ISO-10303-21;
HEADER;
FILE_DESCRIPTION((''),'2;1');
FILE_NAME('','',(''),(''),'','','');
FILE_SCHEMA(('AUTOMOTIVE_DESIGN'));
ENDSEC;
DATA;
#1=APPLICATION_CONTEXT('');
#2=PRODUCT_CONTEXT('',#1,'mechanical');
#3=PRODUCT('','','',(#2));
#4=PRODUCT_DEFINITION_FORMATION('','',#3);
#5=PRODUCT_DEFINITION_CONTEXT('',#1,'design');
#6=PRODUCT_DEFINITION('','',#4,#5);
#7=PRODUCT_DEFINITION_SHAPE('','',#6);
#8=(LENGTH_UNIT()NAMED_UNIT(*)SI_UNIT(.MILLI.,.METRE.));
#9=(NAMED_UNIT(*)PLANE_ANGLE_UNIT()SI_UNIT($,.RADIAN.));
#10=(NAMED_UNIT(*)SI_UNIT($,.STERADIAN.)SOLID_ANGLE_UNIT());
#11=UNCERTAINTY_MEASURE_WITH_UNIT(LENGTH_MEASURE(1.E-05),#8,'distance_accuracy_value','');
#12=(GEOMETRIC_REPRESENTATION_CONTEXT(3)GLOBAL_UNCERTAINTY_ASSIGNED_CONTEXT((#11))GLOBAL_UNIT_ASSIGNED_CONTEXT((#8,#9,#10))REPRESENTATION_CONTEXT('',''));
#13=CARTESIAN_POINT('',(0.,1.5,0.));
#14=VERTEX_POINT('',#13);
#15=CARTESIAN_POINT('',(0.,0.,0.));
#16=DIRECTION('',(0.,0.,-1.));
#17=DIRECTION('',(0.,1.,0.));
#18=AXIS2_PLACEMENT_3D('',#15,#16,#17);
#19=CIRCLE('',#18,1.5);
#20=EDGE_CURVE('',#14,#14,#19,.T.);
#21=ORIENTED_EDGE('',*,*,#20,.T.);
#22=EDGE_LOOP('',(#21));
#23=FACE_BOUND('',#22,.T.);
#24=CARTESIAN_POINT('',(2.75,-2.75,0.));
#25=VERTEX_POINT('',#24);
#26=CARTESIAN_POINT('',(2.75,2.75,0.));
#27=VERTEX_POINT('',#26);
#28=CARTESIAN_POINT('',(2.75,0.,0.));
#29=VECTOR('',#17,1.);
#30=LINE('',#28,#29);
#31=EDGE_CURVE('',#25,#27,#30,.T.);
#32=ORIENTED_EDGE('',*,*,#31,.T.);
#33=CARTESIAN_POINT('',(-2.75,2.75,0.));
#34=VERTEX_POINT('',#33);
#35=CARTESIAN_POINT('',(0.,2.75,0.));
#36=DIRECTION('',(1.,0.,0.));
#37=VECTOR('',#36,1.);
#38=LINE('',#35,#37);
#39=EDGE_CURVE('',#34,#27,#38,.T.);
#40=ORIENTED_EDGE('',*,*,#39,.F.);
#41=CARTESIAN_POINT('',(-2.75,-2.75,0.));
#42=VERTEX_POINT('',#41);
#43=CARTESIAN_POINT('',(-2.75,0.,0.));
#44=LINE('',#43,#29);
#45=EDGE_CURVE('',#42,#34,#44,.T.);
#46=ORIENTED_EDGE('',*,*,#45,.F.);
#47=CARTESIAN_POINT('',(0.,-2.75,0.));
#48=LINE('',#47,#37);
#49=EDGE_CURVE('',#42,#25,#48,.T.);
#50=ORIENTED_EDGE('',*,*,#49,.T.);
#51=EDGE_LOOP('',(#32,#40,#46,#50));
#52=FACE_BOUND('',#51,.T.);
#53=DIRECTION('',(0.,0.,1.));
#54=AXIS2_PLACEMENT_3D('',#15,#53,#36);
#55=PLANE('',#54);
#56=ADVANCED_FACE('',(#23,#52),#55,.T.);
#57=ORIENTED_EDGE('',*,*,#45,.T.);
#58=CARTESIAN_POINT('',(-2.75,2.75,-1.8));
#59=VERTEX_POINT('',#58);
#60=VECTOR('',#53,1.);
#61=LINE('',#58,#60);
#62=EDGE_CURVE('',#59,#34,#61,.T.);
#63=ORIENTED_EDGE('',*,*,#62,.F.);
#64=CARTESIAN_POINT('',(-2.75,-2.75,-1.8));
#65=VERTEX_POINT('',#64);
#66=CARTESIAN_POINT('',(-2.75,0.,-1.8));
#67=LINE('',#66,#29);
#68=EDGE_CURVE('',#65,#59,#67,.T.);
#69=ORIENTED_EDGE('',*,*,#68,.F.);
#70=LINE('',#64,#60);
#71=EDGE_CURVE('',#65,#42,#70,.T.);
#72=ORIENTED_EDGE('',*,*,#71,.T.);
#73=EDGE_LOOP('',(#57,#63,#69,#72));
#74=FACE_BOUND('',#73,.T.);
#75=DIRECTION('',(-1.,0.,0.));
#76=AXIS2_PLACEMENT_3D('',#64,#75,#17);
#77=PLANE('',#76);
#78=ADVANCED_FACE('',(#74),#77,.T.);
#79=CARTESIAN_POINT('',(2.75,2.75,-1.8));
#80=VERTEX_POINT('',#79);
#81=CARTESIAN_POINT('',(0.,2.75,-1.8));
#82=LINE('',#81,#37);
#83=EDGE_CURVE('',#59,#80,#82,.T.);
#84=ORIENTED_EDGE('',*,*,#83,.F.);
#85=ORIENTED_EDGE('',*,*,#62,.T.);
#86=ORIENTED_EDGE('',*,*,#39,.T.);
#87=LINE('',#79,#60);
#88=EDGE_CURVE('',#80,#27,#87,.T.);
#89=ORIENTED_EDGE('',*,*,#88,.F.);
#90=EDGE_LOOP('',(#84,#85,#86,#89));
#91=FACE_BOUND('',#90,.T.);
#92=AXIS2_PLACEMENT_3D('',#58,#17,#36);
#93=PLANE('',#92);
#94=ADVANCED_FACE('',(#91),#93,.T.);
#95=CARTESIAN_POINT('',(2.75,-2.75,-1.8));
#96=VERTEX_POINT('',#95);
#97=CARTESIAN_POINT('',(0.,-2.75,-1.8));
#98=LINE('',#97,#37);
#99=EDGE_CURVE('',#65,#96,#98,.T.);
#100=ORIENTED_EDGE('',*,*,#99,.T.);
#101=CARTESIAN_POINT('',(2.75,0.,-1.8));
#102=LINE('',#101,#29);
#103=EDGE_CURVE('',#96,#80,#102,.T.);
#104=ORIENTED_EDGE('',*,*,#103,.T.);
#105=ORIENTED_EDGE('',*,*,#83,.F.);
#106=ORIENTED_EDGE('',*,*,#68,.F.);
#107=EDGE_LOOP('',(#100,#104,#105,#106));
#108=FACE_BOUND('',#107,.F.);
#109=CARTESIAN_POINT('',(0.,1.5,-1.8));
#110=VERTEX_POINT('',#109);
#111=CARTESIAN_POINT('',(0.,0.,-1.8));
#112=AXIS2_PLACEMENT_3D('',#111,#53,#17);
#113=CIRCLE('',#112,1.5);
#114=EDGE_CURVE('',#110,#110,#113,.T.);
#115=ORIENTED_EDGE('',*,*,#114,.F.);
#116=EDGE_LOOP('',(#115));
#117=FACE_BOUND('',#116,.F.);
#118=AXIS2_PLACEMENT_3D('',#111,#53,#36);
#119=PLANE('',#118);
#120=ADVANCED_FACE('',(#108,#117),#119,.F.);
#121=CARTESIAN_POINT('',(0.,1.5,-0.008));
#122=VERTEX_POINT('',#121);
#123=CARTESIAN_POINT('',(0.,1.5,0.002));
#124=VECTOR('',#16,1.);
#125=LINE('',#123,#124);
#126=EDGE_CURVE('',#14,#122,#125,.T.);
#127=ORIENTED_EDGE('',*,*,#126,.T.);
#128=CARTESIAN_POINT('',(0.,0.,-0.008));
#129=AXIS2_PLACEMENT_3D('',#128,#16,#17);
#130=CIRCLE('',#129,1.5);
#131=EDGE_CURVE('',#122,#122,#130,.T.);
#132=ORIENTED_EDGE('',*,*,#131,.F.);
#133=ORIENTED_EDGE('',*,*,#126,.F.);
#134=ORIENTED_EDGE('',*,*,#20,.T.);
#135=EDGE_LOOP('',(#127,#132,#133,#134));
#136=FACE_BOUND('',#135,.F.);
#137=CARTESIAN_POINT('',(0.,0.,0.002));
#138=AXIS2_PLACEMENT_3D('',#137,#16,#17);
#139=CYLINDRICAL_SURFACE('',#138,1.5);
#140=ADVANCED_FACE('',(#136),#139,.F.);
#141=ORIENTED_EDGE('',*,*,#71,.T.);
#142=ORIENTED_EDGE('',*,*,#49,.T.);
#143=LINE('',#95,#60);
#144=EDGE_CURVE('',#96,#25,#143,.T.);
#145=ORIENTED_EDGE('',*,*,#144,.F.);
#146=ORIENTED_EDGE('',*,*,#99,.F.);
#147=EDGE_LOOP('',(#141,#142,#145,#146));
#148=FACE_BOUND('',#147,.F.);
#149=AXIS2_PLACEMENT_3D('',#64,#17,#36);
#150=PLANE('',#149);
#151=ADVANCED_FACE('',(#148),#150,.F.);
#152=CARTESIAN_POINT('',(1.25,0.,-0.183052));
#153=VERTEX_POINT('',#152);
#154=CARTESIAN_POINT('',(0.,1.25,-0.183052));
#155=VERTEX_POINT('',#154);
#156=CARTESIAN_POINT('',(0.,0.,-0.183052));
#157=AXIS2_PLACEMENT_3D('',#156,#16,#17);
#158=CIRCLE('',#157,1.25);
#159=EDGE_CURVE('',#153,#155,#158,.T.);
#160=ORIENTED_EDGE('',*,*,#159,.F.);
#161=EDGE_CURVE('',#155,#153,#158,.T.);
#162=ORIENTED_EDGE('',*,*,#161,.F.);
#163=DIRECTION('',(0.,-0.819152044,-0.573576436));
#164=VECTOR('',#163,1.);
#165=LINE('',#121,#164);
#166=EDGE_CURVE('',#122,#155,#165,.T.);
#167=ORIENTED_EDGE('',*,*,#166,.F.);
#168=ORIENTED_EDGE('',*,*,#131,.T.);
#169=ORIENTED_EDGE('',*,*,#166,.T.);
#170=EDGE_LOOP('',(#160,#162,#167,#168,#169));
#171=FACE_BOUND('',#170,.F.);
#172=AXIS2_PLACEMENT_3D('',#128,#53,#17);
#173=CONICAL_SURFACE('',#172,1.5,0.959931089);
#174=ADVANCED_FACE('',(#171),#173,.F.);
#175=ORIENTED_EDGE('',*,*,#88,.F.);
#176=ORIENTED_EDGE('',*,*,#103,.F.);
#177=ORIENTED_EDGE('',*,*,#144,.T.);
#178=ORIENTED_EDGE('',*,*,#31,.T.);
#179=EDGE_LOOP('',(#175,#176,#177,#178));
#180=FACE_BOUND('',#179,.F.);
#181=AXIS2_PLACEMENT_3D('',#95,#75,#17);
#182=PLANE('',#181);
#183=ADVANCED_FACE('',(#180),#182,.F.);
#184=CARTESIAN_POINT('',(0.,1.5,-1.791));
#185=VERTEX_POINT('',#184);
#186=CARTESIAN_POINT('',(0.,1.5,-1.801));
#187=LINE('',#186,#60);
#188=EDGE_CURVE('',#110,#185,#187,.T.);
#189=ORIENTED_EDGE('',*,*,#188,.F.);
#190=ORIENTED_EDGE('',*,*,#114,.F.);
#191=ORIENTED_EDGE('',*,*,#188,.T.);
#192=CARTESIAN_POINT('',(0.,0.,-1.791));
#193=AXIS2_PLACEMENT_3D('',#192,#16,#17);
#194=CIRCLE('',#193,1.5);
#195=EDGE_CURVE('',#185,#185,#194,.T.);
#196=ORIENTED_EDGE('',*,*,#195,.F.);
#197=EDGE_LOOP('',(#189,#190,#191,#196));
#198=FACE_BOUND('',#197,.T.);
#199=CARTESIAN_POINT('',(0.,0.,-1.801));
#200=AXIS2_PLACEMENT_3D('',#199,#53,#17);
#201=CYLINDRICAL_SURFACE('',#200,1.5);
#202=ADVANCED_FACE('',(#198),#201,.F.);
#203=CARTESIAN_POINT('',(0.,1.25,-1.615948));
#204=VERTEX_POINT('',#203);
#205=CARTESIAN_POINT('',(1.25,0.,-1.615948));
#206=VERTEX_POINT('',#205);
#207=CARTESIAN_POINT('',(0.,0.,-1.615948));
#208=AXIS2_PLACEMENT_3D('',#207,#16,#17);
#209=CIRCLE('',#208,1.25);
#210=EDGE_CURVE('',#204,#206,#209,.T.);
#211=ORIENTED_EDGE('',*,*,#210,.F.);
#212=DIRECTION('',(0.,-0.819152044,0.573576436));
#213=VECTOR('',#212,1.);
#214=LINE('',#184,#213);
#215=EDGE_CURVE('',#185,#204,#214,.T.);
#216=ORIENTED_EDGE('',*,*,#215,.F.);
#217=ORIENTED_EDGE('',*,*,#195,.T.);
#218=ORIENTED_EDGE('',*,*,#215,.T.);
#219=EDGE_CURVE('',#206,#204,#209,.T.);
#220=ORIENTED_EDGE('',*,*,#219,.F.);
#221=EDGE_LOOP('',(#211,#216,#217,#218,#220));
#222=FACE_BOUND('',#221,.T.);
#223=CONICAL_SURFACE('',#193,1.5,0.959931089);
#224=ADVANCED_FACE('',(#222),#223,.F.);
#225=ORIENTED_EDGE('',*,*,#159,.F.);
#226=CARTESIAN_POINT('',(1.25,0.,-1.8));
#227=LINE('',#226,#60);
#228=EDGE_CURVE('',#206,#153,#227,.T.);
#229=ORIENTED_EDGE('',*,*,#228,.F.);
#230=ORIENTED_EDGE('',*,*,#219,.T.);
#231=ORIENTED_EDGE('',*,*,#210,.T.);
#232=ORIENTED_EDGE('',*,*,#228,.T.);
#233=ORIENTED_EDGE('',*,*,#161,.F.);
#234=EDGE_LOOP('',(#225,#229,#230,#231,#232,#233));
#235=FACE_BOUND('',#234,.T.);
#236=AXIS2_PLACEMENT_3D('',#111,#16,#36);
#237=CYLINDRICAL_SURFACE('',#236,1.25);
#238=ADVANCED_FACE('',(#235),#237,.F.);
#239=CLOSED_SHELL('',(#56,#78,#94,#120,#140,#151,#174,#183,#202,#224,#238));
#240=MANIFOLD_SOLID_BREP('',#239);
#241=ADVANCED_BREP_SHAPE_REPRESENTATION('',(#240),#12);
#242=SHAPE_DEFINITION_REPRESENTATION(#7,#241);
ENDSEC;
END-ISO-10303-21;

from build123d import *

# Parameters (mm, degrees)
BASENUT_START = -1.8
BASENUTSKE_W  = 5.5
BASENUTSKE_H  = 5.5
BASENUTSKE_R  = 1.25
BASENUT_DEPTH = 1.8


with BuildPart() as part:
    # BaseNutSke → BaseNut (new body)
    with BuildSketch(Plane.XY.offset(BASENUT_START)):
        Rectangle(BASENUTSKE_W, BASENUTSKE_H)
        Circle(BASENUTSKE_R, mode=Mode.SUBTRACT)
    extrude(amount=BASENUT_DEPTH)

    # EndChamferSketch → EndChamfer (revolve, cut)
    with BuildSketch(Plane(origin=(0, 0, 0), x_dir=(0, 0, -1), z_dir=(1, 0, 0))):
        Polygon((1.791, 1.5), (1.598442927, 1.225), (1.801, 1.225), (1.801, 1.5), align=None)
        Polygon((-0.002, 1.5), (0.008, 1.5), (0.200557073, 1.225), (-0.002, 1.225), align=None)
    revolve(axis=Axis((0, 0, -25.037505729), (0, 0, -1)), mode=Mode.SUBTRACT)


solid = part.part
